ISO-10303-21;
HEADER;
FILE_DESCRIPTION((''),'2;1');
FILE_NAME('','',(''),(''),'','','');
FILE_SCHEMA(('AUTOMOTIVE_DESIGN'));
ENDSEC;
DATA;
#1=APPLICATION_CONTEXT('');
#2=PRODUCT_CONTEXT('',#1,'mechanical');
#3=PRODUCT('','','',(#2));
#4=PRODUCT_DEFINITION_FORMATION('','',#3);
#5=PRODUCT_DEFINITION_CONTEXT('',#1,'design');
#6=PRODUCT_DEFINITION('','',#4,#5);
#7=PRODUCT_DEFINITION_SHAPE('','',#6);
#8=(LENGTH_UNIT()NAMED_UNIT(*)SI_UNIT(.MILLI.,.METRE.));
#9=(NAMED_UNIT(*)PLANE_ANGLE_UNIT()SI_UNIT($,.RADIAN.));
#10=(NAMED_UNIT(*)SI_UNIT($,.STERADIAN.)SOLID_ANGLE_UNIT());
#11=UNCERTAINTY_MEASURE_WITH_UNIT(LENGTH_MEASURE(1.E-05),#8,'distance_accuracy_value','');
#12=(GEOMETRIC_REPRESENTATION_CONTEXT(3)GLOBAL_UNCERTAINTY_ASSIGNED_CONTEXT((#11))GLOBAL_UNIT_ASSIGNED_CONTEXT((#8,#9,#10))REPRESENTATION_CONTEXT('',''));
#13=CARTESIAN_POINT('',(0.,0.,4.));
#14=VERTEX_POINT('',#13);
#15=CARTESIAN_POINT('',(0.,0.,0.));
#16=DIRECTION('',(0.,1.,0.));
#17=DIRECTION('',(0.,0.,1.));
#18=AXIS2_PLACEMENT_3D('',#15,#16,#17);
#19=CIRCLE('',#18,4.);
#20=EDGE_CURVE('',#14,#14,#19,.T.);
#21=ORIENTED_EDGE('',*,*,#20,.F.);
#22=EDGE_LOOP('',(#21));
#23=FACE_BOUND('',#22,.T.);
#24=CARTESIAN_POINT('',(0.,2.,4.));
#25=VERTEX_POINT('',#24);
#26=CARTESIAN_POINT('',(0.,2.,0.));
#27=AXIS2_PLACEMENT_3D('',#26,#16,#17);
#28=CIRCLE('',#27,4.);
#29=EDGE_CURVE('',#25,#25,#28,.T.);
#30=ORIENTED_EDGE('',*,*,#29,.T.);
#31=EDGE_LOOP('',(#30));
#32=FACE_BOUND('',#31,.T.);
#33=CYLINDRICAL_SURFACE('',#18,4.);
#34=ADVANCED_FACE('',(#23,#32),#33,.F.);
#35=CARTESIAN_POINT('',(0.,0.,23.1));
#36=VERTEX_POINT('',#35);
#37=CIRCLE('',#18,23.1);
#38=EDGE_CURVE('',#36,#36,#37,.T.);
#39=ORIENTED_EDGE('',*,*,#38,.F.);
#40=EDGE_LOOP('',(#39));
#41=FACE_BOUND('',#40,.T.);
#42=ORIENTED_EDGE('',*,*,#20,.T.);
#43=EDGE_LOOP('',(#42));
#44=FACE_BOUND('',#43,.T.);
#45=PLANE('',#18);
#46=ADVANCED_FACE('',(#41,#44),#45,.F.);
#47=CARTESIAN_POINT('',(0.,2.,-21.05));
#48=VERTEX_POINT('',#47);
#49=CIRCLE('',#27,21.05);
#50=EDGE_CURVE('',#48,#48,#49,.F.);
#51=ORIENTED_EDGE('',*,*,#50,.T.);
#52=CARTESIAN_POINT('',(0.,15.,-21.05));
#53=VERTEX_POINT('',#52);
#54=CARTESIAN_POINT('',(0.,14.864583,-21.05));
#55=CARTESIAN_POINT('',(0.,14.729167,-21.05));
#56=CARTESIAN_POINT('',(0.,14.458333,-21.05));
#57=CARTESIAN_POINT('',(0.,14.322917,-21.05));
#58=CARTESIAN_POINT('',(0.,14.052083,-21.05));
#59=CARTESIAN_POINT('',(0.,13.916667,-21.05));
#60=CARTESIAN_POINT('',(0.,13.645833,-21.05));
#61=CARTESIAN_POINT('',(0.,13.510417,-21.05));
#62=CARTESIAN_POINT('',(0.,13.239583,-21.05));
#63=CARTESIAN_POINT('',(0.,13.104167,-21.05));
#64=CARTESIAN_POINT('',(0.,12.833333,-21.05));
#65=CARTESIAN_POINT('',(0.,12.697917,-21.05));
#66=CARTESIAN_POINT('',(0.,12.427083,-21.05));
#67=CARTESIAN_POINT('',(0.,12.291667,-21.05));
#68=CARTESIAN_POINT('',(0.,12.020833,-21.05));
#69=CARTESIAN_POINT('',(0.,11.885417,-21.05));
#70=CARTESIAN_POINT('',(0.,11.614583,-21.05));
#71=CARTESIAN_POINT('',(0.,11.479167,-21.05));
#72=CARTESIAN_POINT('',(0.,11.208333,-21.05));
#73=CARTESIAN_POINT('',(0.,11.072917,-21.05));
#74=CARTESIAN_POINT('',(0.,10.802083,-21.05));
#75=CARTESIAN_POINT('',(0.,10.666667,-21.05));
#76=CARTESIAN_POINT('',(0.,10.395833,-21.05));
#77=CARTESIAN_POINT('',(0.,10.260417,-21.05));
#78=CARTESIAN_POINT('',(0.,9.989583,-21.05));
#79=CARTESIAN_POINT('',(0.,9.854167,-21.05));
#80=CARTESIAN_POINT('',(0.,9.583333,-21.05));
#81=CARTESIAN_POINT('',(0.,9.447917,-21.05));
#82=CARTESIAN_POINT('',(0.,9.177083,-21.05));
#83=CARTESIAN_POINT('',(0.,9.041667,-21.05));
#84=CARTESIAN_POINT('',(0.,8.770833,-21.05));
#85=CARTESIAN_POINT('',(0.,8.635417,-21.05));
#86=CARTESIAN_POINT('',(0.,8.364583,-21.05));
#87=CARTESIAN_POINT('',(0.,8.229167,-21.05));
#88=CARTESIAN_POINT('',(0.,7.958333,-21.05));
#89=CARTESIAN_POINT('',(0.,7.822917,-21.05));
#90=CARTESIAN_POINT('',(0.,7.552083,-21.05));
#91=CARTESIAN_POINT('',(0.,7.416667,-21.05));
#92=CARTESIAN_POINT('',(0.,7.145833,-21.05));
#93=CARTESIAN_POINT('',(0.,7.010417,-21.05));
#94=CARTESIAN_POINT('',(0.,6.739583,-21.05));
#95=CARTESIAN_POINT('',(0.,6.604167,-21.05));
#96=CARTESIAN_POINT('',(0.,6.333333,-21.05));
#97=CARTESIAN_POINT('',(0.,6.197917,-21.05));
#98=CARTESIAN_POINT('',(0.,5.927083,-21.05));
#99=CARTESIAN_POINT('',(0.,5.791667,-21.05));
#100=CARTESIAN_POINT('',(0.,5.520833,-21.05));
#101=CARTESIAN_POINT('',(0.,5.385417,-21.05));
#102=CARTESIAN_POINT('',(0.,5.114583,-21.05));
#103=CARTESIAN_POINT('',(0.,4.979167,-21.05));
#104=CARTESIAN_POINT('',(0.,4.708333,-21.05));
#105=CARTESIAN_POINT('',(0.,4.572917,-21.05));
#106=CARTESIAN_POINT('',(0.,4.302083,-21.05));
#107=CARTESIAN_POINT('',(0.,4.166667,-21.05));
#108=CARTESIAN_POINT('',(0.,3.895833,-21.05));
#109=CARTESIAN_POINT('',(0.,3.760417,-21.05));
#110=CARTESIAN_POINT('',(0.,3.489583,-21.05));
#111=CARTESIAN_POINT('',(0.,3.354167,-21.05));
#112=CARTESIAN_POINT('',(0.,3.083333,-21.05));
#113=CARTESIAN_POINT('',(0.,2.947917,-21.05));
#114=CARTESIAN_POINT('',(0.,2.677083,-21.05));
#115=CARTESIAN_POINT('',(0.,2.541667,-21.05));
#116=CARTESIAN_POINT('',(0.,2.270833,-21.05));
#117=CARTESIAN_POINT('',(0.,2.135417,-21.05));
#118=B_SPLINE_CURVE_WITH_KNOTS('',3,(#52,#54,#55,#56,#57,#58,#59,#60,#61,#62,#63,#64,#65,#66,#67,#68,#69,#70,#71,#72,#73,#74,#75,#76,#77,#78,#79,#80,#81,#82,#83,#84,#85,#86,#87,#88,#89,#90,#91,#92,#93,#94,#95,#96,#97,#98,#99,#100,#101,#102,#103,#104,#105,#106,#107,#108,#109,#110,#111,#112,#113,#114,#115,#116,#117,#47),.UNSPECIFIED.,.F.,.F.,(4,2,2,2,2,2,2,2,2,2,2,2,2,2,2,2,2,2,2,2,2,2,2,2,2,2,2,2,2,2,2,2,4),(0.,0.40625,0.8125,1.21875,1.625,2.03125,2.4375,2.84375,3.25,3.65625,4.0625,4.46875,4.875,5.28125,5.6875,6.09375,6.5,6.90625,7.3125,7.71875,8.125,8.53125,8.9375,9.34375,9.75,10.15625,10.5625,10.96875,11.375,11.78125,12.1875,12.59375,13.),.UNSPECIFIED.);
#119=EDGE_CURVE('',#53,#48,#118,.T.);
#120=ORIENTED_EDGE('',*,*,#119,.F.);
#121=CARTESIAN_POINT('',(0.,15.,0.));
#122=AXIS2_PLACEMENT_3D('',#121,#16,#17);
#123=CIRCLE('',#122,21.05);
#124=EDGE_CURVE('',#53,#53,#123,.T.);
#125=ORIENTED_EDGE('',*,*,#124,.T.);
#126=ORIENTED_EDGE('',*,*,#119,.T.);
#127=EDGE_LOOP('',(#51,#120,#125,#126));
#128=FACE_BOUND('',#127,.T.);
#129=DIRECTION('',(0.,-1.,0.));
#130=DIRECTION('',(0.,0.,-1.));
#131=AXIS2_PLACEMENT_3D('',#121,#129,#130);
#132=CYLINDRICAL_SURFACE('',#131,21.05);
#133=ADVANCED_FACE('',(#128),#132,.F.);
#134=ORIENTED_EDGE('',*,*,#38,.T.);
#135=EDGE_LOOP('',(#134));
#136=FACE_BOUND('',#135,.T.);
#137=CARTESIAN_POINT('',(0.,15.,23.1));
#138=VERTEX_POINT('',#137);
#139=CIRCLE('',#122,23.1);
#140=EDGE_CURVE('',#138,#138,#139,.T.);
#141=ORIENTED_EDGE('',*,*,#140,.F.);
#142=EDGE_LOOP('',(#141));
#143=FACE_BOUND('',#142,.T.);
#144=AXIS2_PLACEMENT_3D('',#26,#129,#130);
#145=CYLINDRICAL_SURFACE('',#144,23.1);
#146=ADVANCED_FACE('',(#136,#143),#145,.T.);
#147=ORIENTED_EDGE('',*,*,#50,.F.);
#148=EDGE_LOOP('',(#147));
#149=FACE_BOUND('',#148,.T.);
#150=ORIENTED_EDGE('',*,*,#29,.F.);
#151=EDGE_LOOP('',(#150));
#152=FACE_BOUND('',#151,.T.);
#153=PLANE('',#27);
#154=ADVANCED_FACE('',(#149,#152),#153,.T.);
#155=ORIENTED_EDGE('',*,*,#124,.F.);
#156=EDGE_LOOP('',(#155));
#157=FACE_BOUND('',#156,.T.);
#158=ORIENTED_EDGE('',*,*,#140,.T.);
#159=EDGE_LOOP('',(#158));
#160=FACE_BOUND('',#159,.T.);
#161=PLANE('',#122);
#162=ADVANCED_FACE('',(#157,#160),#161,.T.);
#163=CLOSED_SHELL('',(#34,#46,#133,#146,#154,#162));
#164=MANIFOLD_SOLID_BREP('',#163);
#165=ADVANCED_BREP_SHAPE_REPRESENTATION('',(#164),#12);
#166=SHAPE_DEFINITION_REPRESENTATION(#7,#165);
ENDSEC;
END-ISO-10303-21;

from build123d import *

# Parameters (mm, degrees)
SKETCH_1_R          = 23.1
EXTRUDE_1_DEPTH     = 2
SKETCH_2_R          = 23.1
SKETCH_2_R_2        = 21.05
EXTRUDE_2_DEPTH     = 13
SKETCH_3_R          = 4
CUT_EXTRUDE_1_DEPTH = 36.159920364


with BuildPart() as part:
    # 草图1 → 凸台-拉伸1 (new body)
    with BuildSketch(Plane(origin=(0, 0, 0), x_dir=(1, 0, 0), z_dir=(0, 1, 0))):
        with Locations(Location((0, 0, 0), (0, 0, 270))):
            Circle(SKETCH_1_R)
    extrude(amount=EXTRUDE_1_DEPTH)

    # 草图2 → 凸台-拉伸2 (add)
    with BuildSketch(Plane(origin=(0, 2, 0), x_dir=(1, 0, 0), z_dir=(0, 1, 0))):
        with Locations(Location((0, 0, 0), (0, 0, 270))):
            Circle(SKETCH_2_R)
        with Locations(Location((0, 0, 0), (0, 0, 90))):
            Circle(SKETCH_2_R_2, mode=Mode.SUBTRACT)
    extrude(amount=EXTRUDE_2_DEPTH)

    # 草图3 → 切除-拉伸1 (cut, through all)
    with BuildSketch(Plane(origin=(0, 2, 0), x_dir=(1, 0, 0), z_dir=(0, 1, 0))):
        with Locations(Location((0, 0, 0), (0, 0, 270))):
            Circle(SKETCH_3_R)
    extrude(amount=-CUT_EXTRUDE_1_DEPTH, mode=Mode.SUBTRACT)


solid = part.part
